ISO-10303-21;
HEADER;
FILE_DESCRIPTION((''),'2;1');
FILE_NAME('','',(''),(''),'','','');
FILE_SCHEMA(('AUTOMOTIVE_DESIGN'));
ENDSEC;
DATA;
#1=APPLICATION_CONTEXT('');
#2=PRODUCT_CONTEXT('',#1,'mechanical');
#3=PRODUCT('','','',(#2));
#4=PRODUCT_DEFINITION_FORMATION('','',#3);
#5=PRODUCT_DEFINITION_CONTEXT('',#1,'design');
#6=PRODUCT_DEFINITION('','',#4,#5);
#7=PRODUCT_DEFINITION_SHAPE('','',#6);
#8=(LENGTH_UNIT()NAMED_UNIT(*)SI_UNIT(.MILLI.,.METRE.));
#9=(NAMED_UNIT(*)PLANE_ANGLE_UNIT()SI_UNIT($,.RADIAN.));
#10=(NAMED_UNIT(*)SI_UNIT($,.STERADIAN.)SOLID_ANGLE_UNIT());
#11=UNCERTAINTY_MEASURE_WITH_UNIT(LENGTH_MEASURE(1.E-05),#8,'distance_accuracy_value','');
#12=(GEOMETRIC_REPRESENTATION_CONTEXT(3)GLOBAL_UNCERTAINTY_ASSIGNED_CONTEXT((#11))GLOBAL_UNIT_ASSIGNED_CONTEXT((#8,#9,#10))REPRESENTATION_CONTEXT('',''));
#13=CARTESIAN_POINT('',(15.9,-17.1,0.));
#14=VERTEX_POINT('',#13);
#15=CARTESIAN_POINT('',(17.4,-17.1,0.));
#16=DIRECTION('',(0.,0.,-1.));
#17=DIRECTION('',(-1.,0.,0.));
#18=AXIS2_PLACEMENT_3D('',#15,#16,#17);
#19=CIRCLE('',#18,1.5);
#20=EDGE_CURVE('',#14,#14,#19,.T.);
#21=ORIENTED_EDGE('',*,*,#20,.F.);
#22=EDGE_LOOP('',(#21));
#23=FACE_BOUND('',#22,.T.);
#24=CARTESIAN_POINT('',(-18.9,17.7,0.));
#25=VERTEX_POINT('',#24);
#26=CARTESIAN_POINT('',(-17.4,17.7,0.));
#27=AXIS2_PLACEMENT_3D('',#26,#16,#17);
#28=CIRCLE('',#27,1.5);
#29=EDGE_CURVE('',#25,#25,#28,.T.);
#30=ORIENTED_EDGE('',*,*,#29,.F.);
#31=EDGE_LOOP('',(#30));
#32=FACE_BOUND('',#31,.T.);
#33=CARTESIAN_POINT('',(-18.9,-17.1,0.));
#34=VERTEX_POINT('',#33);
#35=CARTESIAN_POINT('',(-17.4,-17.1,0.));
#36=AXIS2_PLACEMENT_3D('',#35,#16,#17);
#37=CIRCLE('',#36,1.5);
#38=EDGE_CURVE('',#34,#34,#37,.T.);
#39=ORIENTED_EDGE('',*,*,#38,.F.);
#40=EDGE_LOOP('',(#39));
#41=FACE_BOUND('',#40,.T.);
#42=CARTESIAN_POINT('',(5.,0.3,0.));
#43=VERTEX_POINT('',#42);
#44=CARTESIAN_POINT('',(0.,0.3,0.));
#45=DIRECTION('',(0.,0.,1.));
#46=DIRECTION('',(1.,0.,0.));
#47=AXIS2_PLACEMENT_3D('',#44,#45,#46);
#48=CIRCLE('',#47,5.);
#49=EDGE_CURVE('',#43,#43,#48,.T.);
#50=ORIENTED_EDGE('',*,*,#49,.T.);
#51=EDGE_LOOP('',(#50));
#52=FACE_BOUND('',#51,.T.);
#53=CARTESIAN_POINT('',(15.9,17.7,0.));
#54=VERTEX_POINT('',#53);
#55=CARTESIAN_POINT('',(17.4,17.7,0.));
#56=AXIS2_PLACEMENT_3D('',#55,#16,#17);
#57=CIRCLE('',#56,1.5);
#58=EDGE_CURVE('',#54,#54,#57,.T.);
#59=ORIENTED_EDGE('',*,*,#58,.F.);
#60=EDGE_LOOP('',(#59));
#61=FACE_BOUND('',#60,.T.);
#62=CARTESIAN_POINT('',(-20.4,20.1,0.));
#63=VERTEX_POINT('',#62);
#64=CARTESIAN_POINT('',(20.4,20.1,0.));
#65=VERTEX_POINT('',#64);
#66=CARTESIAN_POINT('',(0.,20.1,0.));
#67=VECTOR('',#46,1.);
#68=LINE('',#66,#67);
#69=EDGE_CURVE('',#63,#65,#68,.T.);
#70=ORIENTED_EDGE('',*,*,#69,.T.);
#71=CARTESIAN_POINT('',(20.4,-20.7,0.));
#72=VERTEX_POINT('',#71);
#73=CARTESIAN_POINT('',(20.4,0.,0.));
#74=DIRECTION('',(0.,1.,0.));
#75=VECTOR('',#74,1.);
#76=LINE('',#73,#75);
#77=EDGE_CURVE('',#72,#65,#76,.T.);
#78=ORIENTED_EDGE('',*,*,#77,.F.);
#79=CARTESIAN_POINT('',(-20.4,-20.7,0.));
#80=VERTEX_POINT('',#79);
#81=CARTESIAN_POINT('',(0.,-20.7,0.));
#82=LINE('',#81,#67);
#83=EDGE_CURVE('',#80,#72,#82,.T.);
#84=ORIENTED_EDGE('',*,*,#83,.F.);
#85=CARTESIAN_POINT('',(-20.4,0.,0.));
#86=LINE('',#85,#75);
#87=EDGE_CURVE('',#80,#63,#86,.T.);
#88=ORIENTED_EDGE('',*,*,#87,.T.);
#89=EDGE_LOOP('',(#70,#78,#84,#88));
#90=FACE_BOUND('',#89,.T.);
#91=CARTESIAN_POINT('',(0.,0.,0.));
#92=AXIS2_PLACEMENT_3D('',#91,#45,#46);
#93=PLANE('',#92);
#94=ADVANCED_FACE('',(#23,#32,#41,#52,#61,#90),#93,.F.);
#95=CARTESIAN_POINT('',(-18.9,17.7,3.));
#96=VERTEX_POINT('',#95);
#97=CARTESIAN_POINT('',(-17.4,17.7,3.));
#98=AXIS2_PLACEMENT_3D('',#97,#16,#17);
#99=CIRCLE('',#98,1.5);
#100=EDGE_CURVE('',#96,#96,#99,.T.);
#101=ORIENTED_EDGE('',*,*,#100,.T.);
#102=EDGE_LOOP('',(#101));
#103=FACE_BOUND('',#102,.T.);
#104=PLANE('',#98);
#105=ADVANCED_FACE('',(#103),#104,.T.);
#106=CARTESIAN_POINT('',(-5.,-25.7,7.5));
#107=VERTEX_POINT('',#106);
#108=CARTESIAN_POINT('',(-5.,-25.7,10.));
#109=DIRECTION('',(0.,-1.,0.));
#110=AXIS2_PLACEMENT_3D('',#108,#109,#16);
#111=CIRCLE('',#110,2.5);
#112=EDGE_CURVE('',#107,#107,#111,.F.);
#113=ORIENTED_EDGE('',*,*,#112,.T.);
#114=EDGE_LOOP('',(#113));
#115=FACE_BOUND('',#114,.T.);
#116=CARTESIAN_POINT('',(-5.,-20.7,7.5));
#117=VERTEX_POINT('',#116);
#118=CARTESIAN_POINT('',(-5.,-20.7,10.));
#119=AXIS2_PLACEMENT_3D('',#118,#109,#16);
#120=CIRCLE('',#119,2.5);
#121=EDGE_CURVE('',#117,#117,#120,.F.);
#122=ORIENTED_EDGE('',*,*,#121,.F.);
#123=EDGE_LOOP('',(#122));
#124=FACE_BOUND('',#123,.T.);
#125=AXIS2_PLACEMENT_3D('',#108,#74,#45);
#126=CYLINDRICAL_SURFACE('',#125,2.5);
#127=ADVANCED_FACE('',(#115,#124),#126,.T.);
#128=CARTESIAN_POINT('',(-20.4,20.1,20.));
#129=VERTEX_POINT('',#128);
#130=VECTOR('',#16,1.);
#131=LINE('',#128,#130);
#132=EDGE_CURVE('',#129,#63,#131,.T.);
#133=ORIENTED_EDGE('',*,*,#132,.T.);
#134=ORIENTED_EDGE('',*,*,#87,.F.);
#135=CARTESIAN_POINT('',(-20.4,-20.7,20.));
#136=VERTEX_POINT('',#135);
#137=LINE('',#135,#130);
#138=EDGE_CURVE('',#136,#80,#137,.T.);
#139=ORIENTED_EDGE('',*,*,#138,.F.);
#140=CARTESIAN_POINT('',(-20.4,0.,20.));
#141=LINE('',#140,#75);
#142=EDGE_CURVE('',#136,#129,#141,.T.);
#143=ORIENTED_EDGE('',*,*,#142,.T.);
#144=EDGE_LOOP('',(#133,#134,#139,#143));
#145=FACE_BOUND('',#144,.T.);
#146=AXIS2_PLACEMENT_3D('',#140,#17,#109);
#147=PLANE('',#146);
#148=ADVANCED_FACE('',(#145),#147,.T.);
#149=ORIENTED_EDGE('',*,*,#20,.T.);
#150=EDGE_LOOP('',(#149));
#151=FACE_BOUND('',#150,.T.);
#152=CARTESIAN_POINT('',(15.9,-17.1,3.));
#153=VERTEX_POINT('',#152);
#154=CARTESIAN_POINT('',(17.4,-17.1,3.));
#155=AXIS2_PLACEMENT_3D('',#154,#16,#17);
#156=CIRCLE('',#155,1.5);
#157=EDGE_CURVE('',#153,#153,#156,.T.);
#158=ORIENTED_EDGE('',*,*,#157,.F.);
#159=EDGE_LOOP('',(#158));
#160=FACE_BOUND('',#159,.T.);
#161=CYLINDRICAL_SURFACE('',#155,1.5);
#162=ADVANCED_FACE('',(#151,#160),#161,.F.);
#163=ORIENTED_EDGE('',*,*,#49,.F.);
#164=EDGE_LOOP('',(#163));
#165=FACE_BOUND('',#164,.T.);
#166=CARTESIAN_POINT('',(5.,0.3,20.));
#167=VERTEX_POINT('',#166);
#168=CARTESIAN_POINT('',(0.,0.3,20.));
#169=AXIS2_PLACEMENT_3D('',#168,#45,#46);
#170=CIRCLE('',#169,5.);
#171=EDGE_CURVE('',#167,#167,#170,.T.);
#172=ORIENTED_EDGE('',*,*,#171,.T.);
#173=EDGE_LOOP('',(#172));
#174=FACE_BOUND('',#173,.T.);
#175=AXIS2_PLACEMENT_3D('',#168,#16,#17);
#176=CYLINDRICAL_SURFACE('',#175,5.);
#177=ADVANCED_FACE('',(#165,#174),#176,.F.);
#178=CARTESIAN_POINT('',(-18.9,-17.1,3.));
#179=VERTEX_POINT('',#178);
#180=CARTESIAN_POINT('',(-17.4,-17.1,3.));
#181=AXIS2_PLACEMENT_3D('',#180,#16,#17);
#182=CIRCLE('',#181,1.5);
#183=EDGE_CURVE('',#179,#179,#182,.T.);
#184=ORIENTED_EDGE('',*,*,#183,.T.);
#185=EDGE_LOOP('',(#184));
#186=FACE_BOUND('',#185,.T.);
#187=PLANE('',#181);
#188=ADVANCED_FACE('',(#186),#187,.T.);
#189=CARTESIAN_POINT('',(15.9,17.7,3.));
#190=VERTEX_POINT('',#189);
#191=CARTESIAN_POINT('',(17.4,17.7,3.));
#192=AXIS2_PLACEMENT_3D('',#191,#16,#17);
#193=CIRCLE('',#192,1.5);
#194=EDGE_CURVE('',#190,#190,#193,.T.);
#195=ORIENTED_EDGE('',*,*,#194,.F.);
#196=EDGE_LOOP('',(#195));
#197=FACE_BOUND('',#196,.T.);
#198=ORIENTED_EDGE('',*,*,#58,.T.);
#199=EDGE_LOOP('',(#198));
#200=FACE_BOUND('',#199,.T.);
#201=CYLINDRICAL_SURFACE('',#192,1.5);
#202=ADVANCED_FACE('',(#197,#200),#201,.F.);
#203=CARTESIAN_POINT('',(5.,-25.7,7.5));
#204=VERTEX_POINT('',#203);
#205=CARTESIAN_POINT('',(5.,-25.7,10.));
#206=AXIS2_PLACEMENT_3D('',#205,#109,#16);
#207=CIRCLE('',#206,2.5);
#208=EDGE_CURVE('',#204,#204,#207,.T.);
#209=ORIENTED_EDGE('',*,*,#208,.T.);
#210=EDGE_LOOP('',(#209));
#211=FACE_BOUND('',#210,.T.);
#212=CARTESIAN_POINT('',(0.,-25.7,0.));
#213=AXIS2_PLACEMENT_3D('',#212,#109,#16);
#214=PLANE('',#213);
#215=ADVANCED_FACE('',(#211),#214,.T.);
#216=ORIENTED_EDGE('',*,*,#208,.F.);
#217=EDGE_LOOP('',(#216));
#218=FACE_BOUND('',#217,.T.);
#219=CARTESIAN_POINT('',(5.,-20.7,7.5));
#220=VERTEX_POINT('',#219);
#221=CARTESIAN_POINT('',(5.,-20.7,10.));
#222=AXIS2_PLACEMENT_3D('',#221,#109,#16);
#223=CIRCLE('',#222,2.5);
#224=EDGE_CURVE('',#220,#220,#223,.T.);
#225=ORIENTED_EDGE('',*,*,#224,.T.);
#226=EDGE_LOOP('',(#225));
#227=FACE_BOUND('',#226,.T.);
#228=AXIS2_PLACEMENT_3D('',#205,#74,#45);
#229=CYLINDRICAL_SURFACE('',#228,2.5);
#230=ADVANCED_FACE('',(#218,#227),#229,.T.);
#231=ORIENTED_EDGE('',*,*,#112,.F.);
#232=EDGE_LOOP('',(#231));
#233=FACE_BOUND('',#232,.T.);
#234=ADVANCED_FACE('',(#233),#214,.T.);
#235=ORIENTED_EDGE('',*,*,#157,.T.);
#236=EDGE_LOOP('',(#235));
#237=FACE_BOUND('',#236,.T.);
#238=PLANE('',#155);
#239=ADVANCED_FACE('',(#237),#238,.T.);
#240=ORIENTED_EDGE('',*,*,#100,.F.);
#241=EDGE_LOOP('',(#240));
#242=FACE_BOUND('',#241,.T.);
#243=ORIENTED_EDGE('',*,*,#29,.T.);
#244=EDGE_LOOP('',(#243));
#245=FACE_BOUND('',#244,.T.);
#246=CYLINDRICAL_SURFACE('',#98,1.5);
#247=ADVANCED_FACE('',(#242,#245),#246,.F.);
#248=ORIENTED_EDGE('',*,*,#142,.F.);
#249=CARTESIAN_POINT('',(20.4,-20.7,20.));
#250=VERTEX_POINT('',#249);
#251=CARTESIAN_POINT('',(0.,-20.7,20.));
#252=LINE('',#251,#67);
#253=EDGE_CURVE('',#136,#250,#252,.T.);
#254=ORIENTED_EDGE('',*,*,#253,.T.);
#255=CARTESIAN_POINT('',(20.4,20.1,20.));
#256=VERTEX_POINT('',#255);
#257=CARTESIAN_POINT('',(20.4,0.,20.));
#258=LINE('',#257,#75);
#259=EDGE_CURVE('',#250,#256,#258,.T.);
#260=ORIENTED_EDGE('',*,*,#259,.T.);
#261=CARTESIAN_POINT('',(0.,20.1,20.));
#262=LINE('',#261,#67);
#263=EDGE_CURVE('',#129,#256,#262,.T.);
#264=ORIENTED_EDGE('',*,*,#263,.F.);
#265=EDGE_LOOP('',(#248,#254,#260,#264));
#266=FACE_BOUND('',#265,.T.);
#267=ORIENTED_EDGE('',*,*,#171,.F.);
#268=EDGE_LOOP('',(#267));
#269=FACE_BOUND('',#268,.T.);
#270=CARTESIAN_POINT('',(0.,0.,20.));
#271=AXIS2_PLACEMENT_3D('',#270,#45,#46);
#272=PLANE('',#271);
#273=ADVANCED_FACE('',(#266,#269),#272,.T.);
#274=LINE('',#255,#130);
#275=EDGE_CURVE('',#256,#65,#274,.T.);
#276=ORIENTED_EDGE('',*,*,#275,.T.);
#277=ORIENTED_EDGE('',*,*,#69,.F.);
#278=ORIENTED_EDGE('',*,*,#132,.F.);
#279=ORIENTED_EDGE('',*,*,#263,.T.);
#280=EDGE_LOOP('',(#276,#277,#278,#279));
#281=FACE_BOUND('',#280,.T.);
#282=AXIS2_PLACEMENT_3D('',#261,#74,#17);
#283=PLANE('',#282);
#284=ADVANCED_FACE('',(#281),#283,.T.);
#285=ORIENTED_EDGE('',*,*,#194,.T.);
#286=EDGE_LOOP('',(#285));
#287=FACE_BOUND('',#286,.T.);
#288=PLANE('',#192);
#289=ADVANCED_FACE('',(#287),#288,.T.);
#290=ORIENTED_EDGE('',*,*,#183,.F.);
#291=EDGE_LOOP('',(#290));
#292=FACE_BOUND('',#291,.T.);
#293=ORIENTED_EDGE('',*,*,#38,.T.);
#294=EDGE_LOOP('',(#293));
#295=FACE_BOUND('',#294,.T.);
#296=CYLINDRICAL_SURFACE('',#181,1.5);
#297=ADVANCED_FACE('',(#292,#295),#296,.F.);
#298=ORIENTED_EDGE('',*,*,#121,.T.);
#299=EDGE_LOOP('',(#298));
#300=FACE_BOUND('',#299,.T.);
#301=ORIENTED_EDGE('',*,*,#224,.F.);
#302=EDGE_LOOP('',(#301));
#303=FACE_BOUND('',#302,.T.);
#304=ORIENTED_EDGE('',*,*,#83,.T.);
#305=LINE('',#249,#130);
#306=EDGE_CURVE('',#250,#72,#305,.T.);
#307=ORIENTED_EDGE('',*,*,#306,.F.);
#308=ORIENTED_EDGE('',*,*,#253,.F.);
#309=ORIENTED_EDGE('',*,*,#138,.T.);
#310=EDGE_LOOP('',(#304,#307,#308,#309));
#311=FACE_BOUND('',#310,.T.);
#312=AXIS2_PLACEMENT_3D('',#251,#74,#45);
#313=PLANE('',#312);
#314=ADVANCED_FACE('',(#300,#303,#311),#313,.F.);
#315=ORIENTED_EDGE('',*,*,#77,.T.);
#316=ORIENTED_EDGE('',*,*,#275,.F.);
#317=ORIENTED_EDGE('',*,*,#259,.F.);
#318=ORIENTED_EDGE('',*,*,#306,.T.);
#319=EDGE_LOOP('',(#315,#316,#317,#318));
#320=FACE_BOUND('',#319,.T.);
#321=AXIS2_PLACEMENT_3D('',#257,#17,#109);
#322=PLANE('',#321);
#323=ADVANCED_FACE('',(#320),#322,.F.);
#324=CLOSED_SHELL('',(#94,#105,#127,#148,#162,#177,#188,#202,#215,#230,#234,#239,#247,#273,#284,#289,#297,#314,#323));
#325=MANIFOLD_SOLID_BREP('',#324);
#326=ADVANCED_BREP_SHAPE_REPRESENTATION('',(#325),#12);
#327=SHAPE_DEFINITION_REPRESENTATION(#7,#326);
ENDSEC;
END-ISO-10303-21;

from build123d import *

# Parameters (mm, degrees)
SKETCH2_W           = 40.8
SKETCH2_H           = 40.8
SKETCH2_R           = 1.3
SKETCH2_R_2         = 5
BOSS_EXTRUDE1_DEPTH = 20
SKETCH3_R           = 2.5
BOSS_EXTRUDE2_DEPTH = 5
SKETCH9_R           = 1.5
CUT_EXTRUDE6_DEPTH  = 3


with BuildPart() as part:
    # Sketch2 → Boss-Extrude1 (new body)
    # profile 1 of 5: a face of its own
    with BuildSketch(Plane.XY):
        with Locations((0, -0.3)):
            Rectangle(SKETCH2_W, SKETCH2_H)
        with Locations((-17.4, 17.7)):
            Circle(SKETCH2_R, mode=Mode.SUBTRACT)
        with Locations((0, 0.3)):
            Circle(SKETCH2_R_2, mode=Mode.SUBTRACT)
        with Locations((17.4, 17.7)):
            Circle(SKETCH2_R, mode=Mode.SUBTRACT)
        with Locations((17.4, -17.1)):
            Circle(SKETCH2_R, mode=Mode.SUBTRACT)
        with Locations((-17.4, -17.1)):
            Circle(SKETCH2_R, mode=Mode.SUBTRACT)
    # profile 2 of 5: a face of its own
    with BuildSketch(Plane.XY):
        with Locations((17.4, 17.7)):
            Circle(SKETCH2_R)
    # profile 3 of 5: a face of its own
    with BuildSketch(Plane.XY):
        with Locations((-17.4, -17.1)):
            Circle(SKETCH2_R)
    # profile 4 of 5: a face of its own
    with BuildSketch(Plane.XY):
        with Locations((-17.4, 17.7)):
            Circle(SKETCH2_R)
    # profile 5 of 5: a face of its own
    with BuildSketch(Plane.XY):
        with Locations((17.4, -17.1)):
            Circle(SKETCH2_R)
    extrude(amount=BOSS_EXTRUDE1_DEPTH)

    # Sketch3 → Boss-Extrude2 (add)
    with BuildSketch(Plane.XZ.offset(20.7)):
        with Locations(Location((5, 10, 0), (0, 0, 270))):
            Circle(SKETCH3_R)
        with Locations(Location((-5, 10, 0), (0, 0, 270))):
            Circle(SKETCH3_R)
    extrude(amount=BOSS_EXTRUDE2_DEPTH)

    # Sketch9 → Cut-Extrude6 (cut)
    with BuildSketch(Plane(origin=(0, 0, 0), x_dir=(-1, 0, 0), z_dir=(0, 0, -1))):
        with Locations((-17.4, 17.7)):
            Circle(SKETCH9_R)
        with Locations((17.4, 17.7)):
            Circle(SKETCH9_R)
        with Locations((17.4, -17.1)):
            Circle(SKETCH9_R)
        with Locations((-17.4, -17.1)):
            Circle(SKETCH9_R)
    extrude(amount=-CUT_EXTRUDE6_DEPTH, mode=Mode.SUBTRACT)


solid = part.part
